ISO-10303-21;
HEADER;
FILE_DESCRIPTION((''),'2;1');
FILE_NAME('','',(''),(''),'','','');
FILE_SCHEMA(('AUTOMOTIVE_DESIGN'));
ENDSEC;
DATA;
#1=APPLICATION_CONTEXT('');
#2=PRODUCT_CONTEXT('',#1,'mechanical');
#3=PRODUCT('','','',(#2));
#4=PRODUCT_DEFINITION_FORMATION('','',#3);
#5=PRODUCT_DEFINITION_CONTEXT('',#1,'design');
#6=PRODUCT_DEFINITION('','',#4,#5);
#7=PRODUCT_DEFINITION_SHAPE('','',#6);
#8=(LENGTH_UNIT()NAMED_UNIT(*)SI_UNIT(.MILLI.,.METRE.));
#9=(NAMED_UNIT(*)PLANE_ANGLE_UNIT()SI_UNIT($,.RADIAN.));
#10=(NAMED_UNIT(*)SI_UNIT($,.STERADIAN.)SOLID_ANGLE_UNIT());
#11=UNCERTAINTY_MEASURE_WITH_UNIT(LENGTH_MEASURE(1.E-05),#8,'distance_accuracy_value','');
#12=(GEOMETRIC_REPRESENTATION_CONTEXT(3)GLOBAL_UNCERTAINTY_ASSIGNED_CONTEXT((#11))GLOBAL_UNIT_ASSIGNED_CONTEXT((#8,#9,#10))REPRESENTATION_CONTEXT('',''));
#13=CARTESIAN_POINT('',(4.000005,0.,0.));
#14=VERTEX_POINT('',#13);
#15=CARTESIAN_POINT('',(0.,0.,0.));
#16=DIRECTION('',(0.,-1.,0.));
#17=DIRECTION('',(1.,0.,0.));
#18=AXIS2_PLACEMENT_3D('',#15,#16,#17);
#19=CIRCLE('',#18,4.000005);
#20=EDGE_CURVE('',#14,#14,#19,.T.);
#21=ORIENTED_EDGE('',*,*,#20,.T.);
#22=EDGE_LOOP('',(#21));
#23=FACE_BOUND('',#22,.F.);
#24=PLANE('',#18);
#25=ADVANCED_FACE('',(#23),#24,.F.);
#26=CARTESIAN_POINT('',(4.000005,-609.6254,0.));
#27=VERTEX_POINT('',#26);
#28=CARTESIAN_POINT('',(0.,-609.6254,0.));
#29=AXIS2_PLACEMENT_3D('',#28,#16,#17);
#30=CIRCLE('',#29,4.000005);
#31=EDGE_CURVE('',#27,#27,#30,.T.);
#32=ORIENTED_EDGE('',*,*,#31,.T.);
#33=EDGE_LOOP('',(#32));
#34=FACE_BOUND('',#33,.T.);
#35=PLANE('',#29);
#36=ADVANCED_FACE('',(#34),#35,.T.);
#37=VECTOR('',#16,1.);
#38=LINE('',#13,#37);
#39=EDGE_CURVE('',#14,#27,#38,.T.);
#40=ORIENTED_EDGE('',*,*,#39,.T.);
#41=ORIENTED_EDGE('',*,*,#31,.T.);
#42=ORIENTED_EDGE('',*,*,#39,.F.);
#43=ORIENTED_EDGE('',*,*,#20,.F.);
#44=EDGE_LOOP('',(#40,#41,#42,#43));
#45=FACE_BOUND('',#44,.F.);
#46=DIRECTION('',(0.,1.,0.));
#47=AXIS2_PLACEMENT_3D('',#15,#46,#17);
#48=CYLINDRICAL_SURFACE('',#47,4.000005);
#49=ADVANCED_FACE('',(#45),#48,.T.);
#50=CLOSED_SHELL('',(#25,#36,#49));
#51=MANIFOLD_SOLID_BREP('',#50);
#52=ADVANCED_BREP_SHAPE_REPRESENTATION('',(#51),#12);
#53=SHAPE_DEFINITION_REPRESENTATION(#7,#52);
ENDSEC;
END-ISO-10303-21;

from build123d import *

# Parameters (mm, degrees)
F0_R      = 4.000005
F1_DEPTH  = 863.6
F1_FACE_R = 4.000005
F2_DEPTH  = 253.9746


with BuildPart() as f1:
    # F0 (on Front) → F1 (new body)
    with BuildSketch(Plane.XZ):
        Circle(F0_R)
    extrude(amount=F1_DEPTH)

    # F1_face (on face) → F2 (cut)
    with BuildSketch(Plane.XZ.offset(863.6)):
        Circle(F1_FACE_R)
    extrude(amount=-F2_DEPTH, mode=Mode.SUBTRACT)


solid = f1.part
